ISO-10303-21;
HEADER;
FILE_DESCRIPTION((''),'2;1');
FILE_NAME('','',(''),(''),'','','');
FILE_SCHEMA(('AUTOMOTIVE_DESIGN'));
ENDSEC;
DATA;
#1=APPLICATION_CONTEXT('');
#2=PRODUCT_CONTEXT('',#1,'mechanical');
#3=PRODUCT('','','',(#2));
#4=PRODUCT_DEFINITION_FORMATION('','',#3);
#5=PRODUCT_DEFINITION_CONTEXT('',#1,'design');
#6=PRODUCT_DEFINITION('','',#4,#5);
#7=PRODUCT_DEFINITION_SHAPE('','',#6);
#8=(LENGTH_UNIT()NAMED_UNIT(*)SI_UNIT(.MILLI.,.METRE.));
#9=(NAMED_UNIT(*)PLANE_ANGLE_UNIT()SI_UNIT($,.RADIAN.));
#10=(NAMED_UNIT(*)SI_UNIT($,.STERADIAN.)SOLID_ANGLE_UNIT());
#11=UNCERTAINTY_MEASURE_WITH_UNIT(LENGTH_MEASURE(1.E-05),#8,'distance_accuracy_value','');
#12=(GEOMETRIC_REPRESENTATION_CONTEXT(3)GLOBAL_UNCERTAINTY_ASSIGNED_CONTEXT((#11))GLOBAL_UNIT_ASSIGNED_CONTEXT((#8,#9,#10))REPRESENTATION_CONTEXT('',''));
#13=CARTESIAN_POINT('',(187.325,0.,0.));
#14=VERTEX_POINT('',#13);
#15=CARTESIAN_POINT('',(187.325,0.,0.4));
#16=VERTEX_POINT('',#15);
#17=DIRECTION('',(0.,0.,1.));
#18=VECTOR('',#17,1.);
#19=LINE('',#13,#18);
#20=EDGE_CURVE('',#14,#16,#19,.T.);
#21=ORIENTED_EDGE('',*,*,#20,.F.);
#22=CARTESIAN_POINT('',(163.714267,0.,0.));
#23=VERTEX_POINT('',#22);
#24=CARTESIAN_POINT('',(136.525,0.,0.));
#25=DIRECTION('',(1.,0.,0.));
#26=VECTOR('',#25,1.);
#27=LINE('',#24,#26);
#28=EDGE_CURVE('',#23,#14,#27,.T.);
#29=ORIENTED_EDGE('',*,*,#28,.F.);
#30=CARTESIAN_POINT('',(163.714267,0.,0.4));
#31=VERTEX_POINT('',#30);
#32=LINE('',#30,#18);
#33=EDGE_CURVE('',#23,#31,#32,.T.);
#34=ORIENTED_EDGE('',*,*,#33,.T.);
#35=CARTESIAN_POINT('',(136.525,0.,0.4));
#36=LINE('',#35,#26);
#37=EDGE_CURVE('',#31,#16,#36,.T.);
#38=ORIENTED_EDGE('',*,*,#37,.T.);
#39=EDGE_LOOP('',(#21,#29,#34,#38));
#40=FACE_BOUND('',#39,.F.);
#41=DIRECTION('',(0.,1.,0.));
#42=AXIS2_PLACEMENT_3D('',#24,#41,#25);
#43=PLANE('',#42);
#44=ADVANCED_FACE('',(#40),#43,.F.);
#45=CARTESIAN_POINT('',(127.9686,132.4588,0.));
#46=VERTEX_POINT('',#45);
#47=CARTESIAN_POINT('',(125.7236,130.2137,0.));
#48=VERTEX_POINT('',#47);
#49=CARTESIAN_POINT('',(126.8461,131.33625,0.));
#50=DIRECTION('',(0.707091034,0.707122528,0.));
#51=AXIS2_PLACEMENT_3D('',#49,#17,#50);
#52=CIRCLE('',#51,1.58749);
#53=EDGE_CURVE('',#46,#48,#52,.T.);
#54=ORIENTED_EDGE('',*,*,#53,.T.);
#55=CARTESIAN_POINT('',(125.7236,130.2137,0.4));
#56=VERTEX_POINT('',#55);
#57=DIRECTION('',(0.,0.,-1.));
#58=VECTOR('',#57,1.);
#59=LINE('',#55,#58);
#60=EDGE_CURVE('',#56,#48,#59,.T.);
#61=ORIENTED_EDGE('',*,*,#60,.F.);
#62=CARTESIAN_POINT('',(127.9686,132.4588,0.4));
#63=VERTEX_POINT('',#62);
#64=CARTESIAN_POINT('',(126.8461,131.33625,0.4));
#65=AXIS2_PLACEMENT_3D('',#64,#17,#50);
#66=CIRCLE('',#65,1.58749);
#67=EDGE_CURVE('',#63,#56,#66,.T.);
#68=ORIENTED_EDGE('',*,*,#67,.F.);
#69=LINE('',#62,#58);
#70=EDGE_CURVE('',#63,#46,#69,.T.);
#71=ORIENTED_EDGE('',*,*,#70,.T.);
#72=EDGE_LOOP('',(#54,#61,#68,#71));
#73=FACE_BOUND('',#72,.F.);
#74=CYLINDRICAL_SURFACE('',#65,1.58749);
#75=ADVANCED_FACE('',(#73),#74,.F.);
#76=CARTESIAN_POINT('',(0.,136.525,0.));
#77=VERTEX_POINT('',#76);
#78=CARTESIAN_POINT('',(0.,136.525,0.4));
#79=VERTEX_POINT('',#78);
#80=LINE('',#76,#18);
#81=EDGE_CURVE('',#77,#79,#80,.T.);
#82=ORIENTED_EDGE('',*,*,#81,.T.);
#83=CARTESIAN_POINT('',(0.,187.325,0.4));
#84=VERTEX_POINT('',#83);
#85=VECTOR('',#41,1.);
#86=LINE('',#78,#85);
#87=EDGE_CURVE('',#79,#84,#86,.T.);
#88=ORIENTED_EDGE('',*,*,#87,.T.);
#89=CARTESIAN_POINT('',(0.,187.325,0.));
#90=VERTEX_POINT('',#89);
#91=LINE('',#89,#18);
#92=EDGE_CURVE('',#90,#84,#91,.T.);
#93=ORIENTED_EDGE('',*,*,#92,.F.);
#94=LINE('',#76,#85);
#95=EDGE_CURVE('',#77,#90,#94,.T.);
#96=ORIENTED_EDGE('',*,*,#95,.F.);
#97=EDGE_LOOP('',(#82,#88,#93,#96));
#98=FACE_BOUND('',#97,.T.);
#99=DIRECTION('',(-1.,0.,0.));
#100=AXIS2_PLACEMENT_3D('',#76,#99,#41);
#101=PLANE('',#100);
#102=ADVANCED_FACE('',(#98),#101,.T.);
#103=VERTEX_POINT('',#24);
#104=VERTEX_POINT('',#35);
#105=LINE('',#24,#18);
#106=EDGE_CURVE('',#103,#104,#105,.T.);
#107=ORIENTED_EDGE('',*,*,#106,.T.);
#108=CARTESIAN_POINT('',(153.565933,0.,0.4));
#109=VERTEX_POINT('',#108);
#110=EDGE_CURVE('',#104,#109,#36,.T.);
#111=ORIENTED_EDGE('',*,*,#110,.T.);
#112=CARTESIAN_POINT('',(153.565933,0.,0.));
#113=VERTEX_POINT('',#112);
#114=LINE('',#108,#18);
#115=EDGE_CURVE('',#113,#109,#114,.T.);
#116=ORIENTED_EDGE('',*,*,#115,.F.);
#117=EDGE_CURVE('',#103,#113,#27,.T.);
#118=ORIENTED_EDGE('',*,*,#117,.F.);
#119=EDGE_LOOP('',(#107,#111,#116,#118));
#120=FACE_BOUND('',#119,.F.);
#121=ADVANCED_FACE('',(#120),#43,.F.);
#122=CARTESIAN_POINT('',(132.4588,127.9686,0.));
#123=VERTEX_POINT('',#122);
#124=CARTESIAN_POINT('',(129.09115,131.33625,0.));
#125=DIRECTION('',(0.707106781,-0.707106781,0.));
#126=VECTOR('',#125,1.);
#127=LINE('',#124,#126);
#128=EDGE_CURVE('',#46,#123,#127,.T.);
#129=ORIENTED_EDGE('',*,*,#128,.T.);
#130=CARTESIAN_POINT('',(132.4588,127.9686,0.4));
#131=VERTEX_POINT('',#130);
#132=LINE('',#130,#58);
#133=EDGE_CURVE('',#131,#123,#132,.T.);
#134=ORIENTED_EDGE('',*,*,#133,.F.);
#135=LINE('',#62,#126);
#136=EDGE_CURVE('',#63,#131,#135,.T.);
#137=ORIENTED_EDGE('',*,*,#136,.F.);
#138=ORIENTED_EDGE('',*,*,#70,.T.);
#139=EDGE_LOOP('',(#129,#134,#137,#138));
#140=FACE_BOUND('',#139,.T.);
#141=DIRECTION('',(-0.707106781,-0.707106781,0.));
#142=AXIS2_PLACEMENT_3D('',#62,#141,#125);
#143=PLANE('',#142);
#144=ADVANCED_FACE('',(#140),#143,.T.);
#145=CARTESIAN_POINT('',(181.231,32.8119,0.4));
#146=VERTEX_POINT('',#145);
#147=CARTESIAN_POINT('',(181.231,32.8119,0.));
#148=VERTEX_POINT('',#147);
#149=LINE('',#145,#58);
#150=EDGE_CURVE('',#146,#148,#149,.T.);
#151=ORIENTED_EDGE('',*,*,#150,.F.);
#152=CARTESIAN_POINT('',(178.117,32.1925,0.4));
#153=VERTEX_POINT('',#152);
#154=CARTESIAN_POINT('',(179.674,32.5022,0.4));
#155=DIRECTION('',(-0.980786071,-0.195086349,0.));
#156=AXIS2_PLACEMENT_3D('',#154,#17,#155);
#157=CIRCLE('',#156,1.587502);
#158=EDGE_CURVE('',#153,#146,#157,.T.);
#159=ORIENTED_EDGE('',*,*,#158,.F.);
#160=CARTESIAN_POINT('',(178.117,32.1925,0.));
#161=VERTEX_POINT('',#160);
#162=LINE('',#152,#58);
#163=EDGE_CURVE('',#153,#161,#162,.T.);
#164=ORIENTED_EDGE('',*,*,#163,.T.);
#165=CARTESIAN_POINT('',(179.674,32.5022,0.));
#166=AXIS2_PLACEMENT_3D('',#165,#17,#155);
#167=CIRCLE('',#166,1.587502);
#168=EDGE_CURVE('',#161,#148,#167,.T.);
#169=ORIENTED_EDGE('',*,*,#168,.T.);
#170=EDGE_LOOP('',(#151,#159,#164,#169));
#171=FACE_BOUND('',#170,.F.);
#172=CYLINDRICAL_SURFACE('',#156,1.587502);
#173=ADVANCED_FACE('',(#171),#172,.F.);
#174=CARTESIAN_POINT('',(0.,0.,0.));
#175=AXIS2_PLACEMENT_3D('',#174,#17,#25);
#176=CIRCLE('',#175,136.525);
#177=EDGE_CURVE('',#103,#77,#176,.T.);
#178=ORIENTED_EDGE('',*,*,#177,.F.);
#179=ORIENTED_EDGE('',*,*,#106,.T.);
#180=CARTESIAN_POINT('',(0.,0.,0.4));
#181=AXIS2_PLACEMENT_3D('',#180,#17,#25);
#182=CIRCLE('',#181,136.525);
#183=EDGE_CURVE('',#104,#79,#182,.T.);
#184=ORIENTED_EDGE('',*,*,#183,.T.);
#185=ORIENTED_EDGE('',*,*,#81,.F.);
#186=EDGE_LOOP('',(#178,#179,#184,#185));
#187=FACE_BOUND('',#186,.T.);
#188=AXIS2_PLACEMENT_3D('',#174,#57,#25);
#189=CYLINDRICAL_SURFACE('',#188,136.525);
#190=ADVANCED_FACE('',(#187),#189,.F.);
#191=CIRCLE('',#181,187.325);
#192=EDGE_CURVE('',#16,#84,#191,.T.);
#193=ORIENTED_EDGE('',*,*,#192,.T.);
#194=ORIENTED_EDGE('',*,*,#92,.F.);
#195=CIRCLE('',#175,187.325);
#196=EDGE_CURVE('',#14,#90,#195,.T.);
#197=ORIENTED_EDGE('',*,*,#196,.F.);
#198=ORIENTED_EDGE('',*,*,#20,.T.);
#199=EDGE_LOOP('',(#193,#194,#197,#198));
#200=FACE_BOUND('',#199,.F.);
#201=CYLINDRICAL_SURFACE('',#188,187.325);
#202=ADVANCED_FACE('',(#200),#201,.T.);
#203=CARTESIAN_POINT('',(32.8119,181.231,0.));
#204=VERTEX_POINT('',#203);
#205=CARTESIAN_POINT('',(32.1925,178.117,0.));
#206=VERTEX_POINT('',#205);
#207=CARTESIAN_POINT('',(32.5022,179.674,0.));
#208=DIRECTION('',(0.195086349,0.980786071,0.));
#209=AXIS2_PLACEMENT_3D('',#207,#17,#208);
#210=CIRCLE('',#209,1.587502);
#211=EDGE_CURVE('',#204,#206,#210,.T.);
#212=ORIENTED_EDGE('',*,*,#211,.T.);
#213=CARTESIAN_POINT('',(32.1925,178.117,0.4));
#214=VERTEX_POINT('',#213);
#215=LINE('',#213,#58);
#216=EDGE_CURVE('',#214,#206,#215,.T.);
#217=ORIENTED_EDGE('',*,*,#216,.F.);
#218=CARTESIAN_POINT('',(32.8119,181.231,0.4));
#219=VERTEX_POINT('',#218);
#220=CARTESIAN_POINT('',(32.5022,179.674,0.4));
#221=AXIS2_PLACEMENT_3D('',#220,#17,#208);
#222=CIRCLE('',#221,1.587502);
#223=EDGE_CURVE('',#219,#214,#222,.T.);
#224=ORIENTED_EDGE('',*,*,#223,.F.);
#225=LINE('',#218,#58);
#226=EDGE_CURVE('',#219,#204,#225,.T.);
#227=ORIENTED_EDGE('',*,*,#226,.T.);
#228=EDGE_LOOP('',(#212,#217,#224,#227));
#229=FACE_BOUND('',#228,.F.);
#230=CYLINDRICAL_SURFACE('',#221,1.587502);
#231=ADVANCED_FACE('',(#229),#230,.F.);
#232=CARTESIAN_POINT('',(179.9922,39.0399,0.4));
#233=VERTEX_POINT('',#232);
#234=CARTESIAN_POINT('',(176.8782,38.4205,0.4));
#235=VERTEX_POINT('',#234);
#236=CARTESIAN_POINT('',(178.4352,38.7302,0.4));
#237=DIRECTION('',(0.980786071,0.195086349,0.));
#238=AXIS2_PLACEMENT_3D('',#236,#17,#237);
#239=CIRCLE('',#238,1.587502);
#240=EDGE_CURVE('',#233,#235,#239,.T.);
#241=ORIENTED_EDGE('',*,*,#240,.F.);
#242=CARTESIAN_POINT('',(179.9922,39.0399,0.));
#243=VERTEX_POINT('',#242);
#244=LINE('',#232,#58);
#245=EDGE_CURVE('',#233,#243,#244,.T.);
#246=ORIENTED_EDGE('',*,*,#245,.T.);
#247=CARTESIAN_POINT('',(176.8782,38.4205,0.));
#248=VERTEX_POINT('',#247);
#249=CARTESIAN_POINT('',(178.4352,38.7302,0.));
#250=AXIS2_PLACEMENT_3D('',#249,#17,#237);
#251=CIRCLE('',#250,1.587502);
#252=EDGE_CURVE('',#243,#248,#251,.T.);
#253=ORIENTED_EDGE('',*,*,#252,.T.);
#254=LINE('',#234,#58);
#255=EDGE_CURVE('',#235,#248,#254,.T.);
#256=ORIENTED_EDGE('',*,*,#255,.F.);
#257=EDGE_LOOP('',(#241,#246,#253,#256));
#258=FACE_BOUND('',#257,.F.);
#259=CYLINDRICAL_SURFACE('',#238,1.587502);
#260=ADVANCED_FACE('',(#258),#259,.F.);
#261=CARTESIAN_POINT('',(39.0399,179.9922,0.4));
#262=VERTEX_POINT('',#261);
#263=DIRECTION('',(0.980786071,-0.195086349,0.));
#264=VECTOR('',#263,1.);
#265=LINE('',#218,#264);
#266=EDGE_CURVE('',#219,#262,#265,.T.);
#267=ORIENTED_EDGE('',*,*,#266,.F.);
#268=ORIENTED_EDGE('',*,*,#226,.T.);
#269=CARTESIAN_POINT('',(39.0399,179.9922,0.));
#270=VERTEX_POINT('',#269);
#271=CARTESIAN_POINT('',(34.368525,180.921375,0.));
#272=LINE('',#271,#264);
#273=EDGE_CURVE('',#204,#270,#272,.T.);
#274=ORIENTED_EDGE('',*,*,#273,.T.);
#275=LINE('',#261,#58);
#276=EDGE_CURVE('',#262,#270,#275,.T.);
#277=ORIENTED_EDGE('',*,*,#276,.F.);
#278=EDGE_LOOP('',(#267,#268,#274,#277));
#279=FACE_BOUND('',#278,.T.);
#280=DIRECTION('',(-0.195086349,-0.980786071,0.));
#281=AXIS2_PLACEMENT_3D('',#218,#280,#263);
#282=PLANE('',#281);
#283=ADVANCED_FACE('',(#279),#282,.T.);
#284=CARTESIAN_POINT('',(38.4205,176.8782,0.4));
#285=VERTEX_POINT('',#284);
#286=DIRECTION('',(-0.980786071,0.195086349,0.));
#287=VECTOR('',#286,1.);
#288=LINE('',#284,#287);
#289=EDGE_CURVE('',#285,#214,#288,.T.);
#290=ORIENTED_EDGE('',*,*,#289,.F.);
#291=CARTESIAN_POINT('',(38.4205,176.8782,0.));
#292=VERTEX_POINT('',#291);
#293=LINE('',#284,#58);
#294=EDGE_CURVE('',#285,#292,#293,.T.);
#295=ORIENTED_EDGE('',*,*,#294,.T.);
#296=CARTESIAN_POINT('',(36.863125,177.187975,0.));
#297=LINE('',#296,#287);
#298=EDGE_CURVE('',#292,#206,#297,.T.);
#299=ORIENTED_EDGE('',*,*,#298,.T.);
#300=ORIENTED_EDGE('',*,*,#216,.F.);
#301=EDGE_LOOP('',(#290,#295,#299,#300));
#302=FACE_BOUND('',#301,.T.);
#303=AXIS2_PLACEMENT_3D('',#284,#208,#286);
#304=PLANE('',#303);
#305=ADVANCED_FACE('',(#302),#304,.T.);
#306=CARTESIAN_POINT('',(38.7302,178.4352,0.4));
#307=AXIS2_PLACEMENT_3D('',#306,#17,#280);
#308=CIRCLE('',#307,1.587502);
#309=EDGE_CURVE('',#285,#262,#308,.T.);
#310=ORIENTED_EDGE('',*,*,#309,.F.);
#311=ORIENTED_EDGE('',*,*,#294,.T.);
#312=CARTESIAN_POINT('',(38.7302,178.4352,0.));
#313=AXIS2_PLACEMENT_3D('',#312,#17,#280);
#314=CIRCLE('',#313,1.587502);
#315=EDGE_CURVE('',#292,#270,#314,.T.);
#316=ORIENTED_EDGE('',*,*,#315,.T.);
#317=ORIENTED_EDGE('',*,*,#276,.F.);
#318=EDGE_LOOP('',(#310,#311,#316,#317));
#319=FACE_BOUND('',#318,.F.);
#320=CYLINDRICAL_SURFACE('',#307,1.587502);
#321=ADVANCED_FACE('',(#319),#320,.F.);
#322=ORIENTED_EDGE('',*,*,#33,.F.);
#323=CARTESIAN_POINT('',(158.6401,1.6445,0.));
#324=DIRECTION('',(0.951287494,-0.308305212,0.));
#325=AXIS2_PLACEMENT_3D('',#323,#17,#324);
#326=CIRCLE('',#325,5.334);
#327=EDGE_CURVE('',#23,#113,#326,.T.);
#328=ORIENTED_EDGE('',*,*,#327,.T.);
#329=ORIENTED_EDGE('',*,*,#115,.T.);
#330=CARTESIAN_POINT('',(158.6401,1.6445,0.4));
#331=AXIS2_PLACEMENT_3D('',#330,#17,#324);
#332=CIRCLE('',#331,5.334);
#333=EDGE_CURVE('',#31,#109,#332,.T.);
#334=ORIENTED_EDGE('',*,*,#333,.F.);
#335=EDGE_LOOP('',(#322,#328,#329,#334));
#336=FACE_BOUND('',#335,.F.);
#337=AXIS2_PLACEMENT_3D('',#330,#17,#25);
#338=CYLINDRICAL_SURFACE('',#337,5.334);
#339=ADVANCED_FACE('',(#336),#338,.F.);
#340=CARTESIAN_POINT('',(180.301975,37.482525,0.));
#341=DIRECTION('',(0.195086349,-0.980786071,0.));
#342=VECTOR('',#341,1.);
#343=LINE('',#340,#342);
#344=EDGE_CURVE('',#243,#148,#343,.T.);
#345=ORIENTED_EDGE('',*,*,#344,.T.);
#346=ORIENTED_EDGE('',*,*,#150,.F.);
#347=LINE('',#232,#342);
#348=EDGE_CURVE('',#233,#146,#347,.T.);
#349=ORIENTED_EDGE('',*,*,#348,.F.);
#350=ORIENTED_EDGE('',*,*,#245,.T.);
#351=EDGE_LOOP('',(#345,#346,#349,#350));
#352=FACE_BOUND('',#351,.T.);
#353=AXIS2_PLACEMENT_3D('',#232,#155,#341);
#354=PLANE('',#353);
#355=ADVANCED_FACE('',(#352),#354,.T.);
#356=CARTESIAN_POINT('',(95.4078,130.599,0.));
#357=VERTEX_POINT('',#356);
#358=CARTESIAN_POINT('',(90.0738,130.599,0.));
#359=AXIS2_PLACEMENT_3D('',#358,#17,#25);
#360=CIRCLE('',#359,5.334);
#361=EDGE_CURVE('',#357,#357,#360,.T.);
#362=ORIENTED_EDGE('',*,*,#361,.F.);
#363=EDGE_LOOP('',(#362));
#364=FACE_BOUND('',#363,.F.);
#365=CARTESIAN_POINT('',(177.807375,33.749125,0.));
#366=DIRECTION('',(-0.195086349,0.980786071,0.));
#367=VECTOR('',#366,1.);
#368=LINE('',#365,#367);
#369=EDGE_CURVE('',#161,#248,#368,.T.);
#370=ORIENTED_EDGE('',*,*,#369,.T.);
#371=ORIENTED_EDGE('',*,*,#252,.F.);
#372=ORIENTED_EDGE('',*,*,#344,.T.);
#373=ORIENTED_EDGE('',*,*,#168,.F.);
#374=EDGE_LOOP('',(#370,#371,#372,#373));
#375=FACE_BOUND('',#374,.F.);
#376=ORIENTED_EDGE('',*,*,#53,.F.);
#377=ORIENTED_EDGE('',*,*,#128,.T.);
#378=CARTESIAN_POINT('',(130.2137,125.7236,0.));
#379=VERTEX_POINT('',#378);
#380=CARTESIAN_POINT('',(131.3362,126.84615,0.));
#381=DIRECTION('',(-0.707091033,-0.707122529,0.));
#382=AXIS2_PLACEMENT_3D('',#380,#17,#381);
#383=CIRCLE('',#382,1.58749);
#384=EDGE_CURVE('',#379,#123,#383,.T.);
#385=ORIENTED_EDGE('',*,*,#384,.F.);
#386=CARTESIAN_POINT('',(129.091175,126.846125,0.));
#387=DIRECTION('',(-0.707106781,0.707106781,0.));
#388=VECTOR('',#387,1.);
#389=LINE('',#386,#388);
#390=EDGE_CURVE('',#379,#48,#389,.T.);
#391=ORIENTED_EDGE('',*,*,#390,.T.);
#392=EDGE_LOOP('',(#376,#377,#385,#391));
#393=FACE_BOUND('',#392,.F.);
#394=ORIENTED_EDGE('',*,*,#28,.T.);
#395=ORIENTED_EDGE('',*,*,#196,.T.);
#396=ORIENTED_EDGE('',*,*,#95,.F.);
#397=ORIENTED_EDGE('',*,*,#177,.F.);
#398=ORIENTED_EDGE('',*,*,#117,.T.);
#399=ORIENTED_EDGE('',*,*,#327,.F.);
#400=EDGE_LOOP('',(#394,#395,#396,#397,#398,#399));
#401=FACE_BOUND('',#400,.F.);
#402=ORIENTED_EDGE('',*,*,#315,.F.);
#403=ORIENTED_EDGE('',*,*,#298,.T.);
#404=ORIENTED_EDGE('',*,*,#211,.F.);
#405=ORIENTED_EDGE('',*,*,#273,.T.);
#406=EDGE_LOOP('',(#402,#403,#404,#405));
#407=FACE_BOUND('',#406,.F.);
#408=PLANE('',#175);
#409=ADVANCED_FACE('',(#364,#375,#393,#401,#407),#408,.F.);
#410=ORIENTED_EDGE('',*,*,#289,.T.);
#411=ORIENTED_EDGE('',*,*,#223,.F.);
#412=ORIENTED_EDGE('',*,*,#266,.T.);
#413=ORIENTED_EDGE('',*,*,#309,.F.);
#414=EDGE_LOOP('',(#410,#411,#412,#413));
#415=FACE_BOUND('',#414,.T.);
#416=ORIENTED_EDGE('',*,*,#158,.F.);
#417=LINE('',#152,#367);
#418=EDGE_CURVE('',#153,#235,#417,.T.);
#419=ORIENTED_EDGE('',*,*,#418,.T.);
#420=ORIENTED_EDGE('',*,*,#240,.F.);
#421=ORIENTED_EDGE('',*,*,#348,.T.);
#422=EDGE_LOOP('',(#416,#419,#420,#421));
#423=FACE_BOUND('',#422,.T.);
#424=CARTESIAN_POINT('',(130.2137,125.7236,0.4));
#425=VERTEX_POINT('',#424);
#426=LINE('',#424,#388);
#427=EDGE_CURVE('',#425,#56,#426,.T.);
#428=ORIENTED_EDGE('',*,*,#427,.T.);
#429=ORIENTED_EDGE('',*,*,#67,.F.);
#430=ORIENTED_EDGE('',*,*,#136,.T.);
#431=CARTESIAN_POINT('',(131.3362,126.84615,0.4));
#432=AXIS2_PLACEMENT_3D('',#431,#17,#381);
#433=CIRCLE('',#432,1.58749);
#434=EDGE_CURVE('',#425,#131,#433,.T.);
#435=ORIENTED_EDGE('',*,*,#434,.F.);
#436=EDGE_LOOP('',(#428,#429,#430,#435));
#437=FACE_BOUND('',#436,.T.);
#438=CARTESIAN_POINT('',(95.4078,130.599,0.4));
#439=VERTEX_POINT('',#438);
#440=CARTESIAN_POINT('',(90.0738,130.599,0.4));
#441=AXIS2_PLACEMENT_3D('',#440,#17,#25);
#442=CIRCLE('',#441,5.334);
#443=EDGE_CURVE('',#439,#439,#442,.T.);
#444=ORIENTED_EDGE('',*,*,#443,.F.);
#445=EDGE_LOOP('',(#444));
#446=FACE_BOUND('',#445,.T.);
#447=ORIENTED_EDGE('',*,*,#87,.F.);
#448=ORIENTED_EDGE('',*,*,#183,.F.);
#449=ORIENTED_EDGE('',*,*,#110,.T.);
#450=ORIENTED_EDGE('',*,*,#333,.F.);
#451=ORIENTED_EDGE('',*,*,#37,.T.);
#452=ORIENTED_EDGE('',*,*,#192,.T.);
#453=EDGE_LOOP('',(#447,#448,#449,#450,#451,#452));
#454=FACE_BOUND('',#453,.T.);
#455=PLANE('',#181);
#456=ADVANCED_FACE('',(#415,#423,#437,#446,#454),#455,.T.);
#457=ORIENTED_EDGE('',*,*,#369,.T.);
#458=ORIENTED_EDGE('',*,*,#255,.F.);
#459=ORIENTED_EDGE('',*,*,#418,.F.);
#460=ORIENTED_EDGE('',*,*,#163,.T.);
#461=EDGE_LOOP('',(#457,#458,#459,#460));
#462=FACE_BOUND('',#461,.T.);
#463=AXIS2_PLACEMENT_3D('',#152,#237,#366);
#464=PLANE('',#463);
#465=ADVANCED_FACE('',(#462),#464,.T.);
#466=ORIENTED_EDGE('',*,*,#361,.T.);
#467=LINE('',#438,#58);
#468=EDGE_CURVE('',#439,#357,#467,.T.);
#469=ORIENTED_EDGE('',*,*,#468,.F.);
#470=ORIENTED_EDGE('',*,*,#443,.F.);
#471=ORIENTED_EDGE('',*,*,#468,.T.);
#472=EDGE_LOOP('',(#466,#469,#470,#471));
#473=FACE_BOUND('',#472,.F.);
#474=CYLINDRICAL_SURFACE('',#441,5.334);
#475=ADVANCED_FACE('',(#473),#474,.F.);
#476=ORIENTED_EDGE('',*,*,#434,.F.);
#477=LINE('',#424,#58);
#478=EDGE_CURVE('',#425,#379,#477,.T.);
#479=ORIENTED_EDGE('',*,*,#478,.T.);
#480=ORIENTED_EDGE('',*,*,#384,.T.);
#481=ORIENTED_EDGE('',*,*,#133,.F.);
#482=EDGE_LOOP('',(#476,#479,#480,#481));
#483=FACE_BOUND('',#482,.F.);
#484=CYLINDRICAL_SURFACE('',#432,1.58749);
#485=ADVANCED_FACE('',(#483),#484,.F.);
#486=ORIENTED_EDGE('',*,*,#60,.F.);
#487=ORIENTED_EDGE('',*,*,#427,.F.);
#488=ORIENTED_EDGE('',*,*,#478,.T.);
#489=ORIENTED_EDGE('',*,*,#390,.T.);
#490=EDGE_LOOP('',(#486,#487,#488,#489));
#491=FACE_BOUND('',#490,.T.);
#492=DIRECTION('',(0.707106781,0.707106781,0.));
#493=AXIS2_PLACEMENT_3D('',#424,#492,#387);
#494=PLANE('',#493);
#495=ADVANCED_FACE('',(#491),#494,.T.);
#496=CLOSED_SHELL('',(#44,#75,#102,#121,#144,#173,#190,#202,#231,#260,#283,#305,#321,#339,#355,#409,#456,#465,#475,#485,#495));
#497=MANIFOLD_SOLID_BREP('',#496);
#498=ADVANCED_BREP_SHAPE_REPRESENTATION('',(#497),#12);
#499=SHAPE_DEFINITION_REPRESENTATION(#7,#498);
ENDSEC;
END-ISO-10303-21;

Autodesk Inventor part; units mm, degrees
ref_plane "YZ Plane" through (0, 0, 0) normal (1, 0, 0) x (0, 1, 0)
ref_plane "XZ Plane" through (0, 0, 0) normal (0, 1, 0) x (-1, 0, 0)
ref_plane "XY Plane" through (0, 0, 0) normal (0, 0, 1) x (1, 0, 0)
sketch "Sketch1" plane through (0, 0, 0) normal (0, 0, 1) x (1, 0, 0)
  arc A0 (187.325, 0) -> (0, 187.325) centre (0, 0) ccw
  arc A1 (136.525, 0) -> (0, 136.525) centre (0, 0) ccw
  line L0 (0, 136.525) -> (0, 187.325)
  line L1 (136.525, 0) -> (187.325, 0)
  point P0 (161.925, 0)
  point P1 (0, 161.925)
  dimension "d2" = 187.325
  dimension "d3" = 136.525
extrude "Extrusion1" add sketch "Sketch1" along normal blind 0.4
sketch "Sketch3" plane through (0, 0, 0.4) normal (0, 0, 1) x (1, 0, 0)
  line L0 (179.9922, 39.0399) -> (181.231, 32.8119) projected
  arc A0 (178.117, 32.1925) -> (181.231, 32.8119) centre (179.674, 32.5022) ccw projected
  line L1 (178.117, 32.1925) -> (176.8782, 38.4205) projected
  arc A1 (179.9922, 39.0399) -> (176.8782, 38.4205) centre (178.4352, 38.7302) ccw projected
  arc A2 (130.2137, 125.7236) -> (132.4588, 127.9686) centre (131.3362, 126.8461) ccw projected
  line L2 (127.9686, 132.4588) -> (132.4588, 127.9686) projected
  arc A3 (127.9686, 132.4588) -> (125.7236, 130.2137) centre (126.8461, 131.3362) ccw projected
  line L3 (130.2137, 125.7236) -> (125.7236, 130.2137) projected
  line L4 (32.8119, 181.231) -> (39.0399, 179.9922) projected
  arc A4 (38.4205, 176.8782) -> (39.0399, 179.9922) centre (38.7302, 178.4352) ccw projected
  line L5 (38.4205, 176.8782) -> (32.1925, 178.117) projected
  arc A5 (32.8119, 181.231) -> (32.1925, 178.117) centre (32.5022, 179.674) ccw projected
  circle A6 centre (90.0738, 130.599) radius 5.334 projected
  circle A7 centre (158.6401, 1.6445) radius 5.334 projected
  point P0 (0, 0)
extrude "Extrusion2" cut sketch "Sketch3" against normal through all
properties part number "3DPRINT,CABLE,TRAY" material "ABS Plastic"
